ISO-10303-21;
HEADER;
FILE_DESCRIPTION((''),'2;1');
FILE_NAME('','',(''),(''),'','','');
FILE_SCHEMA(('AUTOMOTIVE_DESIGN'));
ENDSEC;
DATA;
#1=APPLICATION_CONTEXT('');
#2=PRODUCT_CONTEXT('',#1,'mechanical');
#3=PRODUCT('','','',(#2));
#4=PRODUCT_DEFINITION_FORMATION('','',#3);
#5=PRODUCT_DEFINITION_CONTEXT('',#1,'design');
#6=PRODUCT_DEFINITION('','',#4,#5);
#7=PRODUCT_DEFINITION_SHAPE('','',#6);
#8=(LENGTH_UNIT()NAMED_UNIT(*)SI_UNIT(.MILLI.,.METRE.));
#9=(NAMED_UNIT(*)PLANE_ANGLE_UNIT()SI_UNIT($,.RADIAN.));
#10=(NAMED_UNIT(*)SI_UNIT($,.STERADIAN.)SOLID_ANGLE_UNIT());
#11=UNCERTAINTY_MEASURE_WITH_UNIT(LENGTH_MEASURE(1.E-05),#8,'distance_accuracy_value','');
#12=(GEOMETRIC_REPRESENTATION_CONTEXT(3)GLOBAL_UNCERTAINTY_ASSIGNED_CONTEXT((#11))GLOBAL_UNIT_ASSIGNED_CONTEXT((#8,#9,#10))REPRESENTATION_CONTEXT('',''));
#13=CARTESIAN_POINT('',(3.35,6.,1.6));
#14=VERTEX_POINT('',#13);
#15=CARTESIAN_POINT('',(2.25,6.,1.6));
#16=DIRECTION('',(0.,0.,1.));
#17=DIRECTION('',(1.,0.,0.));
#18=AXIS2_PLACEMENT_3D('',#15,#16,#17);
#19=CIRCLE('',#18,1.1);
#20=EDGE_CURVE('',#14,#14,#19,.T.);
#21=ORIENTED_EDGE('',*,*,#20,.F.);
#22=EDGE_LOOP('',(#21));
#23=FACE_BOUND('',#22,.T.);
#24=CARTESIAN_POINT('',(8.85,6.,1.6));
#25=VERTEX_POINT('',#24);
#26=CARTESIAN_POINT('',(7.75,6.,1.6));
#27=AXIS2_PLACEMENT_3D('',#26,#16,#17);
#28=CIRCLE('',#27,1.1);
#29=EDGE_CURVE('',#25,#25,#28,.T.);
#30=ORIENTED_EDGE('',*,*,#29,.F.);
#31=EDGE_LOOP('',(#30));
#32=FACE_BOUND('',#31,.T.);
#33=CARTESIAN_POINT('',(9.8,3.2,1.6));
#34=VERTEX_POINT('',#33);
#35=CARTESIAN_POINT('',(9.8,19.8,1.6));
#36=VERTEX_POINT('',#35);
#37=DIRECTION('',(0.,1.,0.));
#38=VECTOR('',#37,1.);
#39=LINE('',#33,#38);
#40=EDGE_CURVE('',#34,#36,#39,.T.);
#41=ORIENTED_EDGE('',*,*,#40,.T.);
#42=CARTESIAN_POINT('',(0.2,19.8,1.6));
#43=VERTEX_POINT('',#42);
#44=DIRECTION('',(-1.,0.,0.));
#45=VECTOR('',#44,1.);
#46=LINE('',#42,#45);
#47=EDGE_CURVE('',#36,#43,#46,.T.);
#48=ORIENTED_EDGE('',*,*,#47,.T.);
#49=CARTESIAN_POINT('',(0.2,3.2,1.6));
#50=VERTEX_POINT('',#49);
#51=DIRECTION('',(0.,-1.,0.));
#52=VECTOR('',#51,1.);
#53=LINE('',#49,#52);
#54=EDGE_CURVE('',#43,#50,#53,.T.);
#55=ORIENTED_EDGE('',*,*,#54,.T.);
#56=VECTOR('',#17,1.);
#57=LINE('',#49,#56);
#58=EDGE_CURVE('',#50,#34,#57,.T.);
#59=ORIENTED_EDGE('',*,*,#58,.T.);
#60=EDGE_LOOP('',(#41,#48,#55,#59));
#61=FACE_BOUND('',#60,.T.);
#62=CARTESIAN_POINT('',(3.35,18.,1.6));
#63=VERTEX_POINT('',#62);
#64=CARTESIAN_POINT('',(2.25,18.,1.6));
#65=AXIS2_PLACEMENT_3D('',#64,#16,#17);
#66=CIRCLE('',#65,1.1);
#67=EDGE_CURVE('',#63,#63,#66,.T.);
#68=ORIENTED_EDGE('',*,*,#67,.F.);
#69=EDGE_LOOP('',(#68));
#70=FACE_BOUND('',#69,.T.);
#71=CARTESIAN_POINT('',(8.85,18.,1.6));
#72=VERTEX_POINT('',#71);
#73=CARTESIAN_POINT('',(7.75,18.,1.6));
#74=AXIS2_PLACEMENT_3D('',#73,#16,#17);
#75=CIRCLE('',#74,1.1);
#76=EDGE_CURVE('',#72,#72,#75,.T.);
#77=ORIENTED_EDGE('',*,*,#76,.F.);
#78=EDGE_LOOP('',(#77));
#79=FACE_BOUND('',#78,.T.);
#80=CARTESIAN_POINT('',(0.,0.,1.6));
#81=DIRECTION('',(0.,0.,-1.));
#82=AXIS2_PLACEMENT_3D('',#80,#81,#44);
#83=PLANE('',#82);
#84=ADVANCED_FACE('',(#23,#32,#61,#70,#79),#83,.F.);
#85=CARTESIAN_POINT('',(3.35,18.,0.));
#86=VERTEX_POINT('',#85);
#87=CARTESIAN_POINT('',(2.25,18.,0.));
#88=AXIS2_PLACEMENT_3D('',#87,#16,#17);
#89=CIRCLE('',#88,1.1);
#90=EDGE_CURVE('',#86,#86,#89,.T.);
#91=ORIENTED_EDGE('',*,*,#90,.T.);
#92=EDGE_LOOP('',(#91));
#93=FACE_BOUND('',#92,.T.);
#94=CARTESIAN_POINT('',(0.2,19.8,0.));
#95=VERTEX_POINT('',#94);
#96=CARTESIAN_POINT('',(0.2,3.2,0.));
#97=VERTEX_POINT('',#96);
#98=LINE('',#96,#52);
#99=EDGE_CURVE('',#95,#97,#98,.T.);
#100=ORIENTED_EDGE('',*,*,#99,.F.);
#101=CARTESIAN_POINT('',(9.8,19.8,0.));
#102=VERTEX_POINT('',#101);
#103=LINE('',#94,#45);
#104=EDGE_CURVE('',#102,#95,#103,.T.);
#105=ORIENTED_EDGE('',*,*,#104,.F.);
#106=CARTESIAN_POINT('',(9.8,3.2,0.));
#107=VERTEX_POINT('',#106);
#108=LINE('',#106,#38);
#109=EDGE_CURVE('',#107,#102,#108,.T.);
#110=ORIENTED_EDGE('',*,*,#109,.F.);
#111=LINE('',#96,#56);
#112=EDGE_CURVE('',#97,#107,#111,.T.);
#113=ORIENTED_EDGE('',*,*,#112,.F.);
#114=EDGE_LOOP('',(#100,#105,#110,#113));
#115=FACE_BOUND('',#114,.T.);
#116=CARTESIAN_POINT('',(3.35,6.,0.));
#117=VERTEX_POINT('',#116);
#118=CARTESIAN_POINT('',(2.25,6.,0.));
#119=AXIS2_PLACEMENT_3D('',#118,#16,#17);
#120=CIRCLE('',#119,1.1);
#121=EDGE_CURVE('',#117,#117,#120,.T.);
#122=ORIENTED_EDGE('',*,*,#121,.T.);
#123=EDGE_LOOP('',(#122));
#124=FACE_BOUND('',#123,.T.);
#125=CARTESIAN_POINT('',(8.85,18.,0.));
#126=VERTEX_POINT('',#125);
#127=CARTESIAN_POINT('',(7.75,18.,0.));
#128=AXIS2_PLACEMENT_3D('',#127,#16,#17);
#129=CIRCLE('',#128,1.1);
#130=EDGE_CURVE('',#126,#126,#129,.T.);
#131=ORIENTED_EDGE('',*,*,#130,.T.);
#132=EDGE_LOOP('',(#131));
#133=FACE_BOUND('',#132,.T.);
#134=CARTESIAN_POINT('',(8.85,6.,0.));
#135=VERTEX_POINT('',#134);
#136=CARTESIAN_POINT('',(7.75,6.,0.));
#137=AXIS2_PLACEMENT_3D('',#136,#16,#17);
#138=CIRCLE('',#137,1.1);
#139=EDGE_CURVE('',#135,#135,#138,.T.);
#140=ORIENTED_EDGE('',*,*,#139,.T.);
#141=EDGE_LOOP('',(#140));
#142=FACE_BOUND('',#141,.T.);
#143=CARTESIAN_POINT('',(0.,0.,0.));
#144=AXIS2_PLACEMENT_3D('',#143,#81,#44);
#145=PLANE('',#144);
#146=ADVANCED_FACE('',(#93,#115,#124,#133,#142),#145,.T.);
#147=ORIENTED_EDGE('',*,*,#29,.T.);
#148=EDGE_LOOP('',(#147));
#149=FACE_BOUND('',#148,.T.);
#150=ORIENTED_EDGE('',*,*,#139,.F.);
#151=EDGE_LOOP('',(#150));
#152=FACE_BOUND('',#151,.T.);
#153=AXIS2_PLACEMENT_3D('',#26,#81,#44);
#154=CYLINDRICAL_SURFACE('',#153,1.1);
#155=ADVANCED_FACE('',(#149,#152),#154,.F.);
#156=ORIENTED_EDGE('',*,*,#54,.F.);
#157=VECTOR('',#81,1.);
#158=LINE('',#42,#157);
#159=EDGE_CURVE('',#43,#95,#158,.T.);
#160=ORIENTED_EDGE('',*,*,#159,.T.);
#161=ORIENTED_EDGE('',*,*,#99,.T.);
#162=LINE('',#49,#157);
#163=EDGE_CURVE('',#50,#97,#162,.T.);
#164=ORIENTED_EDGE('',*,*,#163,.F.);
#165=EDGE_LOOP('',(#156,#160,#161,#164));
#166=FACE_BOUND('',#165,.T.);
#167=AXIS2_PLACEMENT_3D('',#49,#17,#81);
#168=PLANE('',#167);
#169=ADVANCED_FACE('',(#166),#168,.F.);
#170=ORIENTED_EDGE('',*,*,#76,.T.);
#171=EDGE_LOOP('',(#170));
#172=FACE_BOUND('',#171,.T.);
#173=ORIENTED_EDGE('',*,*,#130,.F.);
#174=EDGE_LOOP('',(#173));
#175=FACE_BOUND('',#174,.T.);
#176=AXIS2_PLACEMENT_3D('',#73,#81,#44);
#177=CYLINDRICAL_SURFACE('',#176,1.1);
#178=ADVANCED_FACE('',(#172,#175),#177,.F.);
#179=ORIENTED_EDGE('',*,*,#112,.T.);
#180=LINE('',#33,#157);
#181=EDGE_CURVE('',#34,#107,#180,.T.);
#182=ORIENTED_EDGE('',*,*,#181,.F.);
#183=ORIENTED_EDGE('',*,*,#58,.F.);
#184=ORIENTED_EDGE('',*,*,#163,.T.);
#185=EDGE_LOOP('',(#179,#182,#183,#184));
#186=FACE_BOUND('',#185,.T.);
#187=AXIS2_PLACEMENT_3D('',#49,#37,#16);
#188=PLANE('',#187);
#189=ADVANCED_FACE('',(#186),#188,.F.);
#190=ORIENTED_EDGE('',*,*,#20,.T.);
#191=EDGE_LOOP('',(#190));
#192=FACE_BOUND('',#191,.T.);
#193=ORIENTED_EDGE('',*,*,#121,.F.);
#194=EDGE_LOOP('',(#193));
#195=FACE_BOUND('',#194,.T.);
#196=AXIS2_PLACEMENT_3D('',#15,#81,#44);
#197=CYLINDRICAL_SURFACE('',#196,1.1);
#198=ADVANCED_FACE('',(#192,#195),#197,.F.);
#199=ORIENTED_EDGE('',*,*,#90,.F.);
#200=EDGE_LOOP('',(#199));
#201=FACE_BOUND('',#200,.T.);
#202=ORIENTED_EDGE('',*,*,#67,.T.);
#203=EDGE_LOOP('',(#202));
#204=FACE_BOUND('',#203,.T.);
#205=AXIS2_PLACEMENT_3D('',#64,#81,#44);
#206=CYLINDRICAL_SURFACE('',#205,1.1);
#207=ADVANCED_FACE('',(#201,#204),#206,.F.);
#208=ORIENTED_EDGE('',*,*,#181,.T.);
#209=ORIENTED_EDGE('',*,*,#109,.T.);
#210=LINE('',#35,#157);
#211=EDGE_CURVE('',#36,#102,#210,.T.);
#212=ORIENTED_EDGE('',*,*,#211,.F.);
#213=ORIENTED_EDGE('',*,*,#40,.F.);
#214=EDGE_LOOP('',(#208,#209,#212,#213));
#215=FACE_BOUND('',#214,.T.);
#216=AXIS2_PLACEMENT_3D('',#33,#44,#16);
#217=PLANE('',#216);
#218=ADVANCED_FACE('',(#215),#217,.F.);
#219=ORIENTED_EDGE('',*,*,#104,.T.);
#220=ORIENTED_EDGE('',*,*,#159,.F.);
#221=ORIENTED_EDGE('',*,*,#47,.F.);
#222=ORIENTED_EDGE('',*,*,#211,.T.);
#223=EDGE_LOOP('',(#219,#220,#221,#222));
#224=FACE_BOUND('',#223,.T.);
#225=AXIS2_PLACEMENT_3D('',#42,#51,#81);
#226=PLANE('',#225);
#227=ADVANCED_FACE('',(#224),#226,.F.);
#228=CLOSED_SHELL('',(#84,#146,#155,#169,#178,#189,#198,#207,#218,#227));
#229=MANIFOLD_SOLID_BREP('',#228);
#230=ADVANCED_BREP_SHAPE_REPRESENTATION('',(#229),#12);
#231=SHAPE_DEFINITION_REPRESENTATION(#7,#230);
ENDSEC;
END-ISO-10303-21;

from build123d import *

# Parameters (mm, degrees)
SKETCH_2_W      = 9.6
SKETCH_2_H      = 16.6
SKETCH_2_R      = 1.1
EXTRUDE_1_DEPTH = 1.6


with BuildPart() as part:
    # 草图2 → 凸台-拉伸1 (new body)
    with BuildSketch(Plane.XY):
        with Locations((5, 11.5)):
            Rectangle(SKETCH_2_W, SKETCH_2_H)
        with Locations((2.25, 6)):
            Circle(SKETCH_2_R, mode=Mode.SUBTRACT)
        with Locations((2.25, 18)):
            Circle(SKETCH_2_R, mode=Mode.SUBTRACT)
        with Locations((7.75, 18)):
            Circle(SKETCH_2_R, mode=Mode.SUBTRACT)
        with Locations((7.75, 6)):
            Circle(SKETCH_2_R, mode=Mode.SUBTRACT)
    extrude(amount=EXTRUDE_1_DEPTH)


solid = part.part
